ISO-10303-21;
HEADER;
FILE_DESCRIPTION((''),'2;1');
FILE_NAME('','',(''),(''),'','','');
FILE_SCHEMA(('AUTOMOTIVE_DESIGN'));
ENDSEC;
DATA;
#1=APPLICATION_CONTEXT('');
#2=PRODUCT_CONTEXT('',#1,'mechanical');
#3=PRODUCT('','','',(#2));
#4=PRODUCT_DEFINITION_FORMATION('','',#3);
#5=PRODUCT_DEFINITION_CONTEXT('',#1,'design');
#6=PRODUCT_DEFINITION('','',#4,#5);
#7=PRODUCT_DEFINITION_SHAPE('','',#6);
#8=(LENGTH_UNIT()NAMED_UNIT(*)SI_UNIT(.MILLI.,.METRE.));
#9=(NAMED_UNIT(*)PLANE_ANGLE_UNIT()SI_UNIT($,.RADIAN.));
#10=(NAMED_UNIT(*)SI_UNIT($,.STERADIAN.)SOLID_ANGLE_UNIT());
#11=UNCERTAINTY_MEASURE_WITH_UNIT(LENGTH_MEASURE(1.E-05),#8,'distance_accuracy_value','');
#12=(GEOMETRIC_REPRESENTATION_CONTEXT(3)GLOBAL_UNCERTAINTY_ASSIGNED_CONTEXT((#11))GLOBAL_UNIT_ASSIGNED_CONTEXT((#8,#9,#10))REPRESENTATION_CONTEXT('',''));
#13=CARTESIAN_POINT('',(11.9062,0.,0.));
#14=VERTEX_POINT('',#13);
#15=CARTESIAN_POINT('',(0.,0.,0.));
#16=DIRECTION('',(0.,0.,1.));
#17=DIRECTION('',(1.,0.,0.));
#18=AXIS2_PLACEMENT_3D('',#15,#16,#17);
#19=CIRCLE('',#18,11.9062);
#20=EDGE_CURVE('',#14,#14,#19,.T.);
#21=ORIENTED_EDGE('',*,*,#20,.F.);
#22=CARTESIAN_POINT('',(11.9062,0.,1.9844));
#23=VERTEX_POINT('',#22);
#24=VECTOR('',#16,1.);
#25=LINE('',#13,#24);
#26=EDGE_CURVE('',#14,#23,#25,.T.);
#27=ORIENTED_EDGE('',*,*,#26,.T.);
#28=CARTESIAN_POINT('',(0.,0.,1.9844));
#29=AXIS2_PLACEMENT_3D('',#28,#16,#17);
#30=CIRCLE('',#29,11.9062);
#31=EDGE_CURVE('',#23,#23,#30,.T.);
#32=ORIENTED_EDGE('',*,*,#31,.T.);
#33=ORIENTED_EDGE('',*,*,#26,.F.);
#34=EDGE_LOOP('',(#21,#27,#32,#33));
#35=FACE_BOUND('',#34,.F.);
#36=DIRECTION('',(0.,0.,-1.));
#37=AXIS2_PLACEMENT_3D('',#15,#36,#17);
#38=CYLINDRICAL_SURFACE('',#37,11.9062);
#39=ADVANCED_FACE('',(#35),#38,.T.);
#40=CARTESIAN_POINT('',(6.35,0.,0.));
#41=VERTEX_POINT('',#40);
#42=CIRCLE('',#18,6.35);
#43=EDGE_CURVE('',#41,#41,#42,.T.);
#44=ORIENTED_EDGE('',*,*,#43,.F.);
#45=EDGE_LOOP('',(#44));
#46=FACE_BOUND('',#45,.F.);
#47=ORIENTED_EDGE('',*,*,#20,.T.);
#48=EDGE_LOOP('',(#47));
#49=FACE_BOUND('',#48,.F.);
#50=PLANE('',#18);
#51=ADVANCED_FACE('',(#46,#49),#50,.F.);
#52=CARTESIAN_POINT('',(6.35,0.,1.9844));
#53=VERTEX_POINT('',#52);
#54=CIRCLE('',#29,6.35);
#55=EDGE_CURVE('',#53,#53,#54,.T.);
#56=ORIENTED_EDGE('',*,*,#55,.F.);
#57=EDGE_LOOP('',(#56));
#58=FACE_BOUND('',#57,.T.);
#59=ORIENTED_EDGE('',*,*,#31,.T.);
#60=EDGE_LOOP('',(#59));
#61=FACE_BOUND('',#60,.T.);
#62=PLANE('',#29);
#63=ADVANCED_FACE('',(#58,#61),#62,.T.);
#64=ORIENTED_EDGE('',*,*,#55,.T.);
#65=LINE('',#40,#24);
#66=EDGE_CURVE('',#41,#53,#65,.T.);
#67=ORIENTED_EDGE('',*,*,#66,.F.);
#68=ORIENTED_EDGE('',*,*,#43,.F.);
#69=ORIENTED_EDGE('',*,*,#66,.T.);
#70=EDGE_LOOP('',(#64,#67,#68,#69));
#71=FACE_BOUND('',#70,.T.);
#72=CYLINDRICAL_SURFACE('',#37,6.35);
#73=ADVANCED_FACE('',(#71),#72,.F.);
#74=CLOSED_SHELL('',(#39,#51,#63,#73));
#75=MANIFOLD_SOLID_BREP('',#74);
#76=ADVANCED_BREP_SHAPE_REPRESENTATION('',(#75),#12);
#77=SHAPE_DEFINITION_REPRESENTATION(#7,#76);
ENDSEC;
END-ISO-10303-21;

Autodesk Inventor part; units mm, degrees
ref_plane "YZ Plane" through (0, 0, 0) normal (1, 0, 0) x (0, 1, 0)
ref_plane "XZ Plane" through (0, 0, 0) normal (0, 1, 0) x (-1, 0, 0)
ref_plane "XY Plane" through (0, 0, 0) normal (0, 0, 1) x (1, 0, 0)
sketch "Sketch1" plane through (0, 0, 0) normal (0, 0, 1) x (1, 0, 0)
  circle A0 centre (0, 0) radius 6.35
  circle A1 centre (0, 0) radius 11.9062
  dimension "d0" = 12.7
  dimension "d1" = 23.8125
extrude "Extrusion1" add sketch "Sketch1" along normal blind 1.9844
properties part number "ThrustBearing"
